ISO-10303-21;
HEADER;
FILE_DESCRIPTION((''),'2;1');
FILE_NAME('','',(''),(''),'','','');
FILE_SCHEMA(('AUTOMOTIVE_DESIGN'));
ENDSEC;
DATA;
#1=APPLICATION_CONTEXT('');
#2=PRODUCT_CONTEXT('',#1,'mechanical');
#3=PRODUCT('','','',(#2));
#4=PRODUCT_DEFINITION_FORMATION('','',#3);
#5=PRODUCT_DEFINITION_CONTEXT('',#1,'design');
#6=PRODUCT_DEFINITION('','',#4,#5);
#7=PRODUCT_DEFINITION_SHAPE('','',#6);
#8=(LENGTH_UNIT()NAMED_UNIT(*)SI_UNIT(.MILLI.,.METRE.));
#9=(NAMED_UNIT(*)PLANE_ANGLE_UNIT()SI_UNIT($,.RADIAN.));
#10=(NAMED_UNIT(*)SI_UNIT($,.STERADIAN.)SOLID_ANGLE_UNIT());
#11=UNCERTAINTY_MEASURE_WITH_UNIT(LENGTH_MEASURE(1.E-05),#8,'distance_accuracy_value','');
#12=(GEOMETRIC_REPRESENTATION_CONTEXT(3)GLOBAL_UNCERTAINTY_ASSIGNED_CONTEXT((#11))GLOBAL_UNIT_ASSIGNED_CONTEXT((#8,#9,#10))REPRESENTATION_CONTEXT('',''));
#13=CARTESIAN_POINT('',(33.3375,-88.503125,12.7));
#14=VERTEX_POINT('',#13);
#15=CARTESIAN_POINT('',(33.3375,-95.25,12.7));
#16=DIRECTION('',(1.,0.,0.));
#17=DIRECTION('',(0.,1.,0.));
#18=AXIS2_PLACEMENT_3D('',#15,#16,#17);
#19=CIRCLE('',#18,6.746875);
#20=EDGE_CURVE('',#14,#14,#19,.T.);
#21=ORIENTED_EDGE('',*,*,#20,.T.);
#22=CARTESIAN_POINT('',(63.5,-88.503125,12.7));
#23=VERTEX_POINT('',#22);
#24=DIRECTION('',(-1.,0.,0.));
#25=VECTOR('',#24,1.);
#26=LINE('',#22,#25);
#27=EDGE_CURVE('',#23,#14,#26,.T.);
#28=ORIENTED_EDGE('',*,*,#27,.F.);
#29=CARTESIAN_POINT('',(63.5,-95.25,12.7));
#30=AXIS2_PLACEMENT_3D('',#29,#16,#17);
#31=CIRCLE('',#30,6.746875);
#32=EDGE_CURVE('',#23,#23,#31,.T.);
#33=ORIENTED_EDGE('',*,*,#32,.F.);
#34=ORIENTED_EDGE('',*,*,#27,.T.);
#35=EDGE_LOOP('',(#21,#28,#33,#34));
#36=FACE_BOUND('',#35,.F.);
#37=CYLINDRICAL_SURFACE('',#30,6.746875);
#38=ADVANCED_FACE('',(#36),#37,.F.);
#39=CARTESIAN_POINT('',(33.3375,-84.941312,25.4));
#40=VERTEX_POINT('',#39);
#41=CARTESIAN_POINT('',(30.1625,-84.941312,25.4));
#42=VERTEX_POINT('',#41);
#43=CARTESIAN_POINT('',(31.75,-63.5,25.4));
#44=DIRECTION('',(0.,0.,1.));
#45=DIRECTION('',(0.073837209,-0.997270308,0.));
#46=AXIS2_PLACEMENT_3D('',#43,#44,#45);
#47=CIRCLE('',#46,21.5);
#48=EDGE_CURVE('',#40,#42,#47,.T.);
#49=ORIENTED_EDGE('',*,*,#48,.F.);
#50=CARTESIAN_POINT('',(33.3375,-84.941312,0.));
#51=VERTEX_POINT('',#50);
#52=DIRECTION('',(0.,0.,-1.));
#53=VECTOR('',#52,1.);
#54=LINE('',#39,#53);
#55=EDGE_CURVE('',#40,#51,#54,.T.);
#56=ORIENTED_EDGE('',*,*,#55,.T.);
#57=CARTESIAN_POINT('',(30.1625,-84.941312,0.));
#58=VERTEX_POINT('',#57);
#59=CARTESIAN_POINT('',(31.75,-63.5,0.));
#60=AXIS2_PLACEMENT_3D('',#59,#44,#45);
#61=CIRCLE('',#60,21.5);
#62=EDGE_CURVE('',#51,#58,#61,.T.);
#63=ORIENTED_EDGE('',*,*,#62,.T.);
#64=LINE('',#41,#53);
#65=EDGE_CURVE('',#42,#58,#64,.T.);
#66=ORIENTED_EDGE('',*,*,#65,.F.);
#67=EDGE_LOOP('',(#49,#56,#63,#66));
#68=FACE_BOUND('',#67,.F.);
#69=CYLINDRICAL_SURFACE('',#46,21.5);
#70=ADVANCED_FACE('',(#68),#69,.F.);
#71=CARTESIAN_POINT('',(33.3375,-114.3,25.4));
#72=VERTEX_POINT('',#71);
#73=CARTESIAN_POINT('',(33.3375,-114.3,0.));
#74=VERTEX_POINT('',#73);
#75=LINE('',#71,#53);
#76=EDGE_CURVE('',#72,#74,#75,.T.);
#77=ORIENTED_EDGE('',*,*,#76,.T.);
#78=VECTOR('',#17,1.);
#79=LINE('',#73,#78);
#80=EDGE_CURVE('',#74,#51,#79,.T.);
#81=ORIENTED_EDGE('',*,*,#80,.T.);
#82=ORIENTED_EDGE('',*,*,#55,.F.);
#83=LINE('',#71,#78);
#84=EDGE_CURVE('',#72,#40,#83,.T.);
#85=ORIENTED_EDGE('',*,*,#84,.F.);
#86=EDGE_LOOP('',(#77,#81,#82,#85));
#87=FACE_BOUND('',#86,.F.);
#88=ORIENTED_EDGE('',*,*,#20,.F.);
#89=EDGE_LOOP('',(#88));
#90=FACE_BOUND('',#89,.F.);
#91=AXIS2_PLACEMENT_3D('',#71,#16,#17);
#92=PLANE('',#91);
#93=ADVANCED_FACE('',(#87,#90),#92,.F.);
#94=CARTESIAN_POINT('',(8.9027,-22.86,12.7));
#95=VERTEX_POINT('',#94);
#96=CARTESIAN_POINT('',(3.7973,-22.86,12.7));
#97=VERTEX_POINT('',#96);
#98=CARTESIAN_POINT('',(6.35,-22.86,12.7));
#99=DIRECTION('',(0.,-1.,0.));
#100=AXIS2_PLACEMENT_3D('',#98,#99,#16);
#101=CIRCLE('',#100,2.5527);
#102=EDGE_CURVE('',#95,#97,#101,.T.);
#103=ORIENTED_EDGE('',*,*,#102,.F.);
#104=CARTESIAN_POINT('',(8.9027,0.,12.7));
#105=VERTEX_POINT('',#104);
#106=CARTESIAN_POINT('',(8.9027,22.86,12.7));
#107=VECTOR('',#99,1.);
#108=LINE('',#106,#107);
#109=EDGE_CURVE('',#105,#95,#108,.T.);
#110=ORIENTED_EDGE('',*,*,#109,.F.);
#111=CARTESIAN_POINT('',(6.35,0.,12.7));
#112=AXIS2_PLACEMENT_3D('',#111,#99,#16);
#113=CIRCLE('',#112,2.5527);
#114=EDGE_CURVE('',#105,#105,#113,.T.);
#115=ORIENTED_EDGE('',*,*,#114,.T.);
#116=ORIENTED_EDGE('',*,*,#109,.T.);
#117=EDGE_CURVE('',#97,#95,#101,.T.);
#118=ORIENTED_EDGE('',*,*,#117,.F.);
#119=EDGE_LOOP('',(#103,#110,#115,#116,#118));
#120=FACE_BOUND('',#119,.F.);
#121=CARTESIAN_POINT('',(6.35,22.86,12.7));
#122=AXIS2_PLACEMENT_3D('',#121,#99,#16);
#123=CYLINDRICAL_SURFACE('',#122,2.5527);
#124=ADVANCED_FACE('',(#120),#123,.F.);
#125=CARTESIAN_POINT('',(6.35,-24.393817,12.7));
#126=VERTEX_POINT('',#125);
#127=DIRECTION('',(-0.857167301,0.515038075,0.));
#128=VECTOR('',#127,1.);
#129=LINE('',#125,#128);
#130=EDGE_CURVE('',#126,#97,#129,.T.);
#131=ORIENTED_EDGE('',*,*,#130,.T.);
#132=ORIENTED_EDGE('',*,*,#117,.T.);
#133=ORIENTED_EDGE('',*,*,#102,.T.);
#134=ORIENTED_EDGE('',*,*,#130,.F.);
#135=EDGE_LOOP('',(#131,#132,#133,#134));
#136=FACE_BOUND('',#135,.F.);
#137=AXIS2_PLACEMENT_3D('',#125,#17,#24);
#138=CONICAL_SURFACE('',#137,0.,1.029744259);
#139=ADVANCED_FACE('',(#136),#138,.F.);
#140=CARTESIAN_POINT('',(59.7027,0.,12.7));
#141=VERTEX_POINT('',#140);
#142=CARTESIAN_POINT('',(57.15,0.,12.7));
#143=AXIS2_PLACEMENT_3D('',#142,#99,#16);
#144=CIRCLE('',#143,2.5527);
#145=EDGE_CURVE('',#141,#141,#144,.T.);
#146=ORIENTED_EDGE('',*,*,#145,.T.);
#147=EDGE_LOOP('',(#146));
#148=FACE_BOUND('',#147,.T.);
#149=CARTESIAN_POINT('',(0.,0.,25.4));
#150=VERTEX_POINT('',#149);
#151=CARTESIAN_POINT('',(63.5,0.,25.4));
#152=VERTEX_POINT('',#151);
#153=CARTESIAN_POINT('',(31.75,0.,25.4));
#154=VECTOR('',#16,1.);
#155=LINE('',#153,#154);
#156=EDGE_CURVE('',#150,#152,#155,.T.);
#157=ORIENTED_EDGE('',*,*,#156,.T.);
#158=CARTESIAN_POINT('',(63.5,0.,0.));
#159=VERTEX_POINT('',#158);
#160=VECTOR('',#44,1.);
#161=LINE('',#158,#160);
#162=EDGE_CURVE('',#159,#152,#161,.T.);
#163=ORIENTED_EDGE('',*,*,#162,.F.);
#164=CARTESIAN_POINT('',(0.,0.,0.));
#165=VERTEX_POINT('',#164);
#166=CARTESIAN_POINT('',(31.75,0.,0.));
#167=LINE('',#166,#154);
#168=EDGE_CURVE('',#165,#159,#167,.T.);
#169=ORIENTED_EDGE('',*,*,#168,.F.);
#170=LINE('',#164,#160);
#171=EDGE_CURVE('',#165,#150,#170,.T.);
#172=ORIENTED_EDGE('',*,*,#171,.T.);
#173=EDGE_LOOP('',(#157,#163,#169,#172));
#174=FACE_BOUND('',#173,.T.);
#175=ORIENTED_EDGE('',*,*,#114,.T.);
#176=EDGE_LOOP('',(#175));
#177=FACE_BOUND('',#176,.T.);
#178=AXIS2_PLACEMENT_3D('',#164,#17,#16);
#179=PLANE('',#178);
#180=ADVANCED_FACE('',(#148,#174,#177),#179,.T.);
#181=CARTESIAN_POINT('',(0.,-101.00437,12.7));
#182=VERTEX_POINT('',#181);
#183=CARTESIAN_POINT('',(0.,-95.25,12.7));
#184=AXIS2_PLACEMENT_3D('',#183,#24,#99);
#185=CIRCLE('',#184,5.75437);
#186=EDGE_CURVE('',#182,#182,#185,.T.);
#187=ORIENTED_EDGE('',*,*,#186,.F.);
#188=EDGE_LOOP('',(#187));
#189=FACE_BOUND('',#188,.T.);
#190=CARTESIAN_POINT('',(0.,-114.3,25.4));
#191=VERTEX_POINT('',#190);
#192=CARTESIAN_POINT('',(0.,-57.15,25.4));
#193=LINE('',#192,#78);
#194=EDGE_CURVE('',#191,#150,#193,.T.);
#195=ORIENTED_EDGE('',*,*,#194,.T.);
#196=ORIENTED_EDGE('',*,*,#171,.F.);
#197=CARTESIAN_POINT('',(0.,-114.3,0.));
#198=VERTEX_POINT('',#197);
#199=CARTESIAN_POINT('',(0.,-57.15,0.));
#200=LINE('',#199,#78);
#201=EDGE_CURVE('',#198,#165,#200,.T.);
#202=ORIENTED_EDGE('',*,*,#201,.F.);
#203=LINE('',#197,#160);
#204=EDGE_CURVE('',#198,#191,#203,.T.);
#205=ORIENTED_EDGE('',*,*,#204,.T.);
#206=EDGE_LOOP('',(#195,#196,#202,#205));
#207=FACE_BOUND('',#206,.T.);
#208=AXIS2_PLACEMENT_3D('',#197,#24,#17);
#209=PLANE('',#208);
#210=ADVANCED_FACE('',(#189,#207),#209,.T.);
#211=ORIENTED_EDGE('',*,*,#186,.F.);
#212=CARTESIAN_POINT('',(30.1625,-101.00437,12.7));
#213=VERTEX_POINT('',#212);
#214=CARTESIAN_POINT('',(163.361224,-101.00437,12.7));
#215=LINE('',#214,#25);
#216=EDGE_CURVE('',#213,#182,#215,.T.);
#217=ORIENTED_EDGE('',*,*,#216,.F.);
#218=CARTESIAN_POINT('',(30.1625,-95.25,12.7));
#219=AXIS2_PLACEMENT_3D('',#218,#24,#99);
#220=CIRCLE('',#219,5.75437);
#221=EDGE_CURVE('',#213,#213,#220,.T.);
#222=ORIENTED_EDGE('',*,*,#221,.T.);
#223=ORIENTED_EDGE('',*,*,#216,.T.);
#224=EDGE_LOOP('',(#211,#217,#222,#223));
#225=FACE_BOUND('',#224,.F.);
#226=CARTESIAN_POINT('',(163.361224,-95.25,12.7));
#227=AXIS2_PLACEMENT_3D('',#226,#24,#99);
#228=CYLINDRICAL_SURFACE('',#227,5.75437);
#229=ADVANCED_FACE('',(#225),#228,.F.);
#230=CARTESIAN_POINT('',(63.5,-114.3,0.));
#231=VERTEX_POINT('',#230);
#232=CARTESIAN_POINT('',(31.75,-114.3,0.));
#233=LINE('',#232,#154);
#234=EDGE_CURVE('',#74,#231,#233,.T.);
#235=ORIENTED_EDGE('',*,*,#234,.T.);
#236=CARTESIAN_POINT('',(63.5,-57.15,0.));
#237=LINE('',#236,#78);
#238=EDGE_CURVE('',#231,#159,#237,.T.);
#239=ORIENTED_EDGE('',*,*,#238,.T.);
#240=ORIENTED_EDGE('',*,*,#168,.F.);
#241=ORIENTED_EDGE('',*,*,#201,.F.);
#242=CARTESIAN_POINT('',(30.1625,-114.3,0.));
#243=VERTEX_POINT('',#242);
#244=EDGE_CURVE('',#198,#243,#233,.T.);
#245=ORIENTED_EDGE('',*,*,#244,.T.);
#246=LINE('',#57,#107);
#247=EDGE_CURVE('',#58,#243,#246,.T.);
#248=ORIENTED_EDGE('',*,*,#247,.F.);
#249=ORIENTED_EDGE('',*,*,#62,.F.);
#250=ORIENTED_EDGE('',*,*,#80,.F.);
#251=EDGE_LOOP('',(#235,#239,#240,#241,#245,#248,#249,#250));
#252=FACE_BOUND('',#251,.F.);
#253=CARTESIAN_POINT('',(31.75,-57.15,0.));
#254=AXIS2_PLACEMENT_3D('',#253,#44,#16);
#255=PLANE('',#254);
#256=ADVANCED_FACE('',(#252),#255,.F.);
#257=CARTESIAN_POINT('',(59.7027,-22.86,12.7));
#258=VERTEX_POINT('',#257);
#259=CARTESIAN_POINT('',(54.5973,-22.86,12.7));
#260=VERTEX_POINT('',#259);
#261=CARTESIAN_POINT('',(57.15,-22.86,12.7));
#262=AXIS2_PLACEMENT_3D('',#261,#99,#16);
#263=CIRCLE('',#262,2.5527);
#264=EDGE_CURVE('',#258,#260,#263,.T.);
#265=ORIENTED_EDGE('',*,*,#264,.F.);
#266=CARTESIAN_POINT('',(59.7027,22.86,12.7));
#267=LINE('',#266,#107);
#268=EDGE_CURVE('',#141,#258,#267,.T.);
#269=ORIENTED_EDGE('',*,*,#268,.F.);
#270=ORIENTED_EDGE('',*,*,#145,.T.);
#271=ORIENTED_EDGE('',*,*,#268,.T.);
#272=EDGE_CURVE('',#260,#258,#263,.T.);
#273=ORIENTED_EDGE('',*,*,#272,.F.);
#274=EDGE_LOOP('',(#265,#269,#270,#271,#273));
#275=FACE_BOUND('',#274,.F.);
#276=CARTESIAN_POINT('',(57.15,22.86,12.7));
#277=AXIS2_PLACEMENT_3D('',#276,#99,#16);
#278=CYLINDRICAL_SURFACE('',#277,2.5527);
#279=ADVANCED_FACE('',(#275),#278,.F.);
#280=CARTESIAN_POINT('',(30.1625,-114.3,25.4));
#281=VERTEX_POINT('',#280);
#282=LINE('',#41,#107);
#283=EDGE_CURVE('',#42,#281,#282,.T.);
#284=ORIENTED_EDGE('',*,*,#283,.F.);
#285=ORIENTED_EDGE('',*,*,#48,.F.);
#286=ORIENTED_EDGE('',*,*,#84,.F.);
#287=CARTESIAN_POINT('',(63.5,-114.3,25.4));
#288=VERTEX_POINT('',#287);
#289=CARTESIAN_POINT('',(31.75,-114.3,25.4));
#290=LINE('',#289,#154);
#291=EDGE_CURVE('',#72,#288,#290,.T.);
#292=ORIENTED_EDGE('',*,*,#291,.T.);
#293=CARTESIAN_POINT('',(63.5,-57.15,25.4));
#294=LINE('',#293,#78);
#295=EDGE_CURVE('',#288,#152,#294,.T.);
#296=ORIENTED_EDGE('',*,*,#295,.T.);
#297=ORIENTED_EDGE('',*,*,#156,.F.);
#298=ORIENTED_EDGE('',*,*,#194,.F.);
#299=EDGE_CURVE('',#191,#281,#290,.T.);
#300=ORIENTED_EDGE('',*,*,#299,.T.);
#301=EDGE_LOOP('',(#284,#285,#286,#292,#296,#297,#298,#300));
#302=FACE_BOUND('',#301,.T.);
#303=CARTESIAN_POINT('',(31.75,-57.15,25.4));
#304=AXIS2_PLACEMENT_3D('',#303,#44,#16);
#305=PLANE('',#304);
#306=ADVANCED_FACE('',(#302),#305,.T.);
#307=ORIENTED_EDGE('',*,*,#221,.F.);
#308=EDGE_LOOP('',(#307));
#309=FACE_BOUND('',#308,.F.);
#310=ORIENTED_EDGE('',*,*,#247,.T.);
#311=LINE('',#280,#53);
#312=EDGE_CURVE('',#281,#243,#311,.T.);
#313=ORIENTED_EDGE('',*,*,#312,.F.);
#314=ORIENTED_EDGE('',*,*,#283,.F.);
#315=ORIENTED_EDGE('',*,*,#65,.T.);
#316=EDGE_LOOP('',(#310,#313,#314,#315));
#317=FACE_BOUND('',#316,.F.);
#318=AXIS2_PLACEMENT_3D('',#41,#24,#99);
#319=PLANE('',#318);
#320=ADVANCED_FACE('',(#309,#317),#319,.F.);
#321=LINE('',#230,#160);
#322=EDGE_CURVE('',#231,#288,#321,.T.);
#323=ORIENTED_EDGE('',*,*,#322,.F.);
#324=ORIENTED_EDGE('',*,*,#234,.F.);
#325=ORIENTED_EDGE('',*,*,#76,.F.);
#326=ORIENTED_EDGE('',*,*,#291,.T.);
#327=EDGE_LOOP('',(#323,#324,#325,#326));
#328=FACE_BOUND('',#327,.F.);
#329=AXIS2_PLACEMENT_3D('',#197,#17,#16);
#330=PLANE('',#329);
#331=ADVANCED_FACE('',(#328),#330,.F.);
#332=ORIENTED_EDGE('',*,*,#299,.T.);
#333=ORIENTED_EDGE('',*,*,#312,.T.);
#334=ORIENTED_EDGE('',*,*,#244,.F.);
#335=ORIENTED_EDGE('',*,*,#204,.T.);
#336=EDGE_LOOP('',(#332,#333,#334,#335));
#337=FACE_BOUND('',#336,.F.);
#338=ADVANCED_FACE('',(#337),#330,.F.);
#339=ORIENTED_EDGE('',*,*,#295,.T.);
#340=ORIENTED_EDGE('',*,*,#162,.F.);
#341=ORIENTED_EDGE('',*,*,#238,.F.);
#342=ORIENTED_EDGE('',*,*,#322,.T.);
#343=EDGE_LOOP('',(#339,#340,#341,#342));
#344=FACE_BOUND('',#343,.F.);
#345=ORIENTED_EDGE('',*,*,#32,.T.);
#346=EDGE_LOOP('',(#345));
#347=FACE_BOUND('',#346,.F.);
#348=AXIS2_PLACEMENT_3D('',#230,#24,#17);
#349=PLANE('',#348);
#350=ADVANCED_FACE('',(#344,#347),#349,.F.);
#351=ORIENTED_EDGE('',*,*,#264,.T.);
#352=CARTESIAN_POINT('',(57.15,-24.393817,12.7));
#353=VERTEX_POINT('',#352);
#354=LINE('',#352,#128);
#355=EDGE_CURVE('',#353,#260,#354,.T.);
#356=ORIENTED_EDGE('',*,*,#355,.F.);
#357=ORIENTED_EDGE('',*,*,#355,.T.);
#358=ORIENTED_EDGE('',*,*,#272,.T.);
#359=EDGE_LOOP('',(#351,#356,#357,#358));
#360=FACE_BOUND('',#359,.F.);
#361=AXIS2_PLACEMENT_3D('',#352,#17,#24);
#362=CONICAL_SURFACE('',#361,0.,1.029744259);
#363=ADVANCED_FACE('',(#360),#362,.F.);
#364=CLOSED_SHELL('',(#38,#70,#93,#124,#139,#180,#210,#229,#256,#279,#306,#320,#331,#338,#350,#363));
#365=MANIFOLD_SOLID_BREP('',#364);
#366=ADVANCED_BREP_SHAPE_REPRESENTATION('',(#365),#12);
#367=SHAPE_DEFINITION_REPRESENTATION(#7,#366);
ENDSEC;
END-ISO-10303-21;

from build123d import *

# Parameters (mm, degrees)
F0_W     = 63.5
F0_H     = 114.3
F1_DEPTH = 25.4
F3_D     = 5.1054
F3_DEPTH = 22.86
F3_TIP   = 1.5338169022
F5_DEPTH = 25.4
F6_R     = 6.746875
F7_DEPTH = 30.1625
F9_D     = 11.50874


with BuildPart() as f1:
    # F0 (on Top) → F1 (new body)
    with BuildSketch(Plane.XY):
        with Locations((31.75, -57.15)):
            Rectangle(F0_W, F0_H)
    extrude(amount=F1_DEPTH)

    # F3
    with Locations(Plane(origin=(0, 0, 0), x_dir=(-1, 0, 0), z_dir=(0, 1, 0))):
        with Locations((-57.15, 12.7), (-6.35, 12.7)):
            Hole(F3_D / 2, depth=F3_DEPTH)
            with Locations((0, 0, -(F3_DEPTH + F3_TIP / 2))):  # 118° drill point
                Cone(0, F3_D / 2, F3_TIP, mode=Mode.SUBTRACT)

    # F4 (on face) → F5 (cut, through all)
    with BuildSketch(Plane.XY.offset(25.4)):
        with BuildLine():
            Line((33.3375, -114.3), (33.3375, -84.9413116145))
            ThreePointArc((33.3375, -84.9413116145), (31.75, -42), (30.1625, -84.9413116145))
            Line((30.1625, -84.9413116145), (30.1625, -114.3))
            Line((30.1625, -114.3), (33.3375, -114.3))
        make_face()
    extrude(amount=-F5_DEPTH, mode=Mode.SUBTRACT)

    # F6 (on face) → F7 (cut, through all)
    with BuildSketch(Plane.YZ.offset(63.5)):
        with Locations((-95.25, 12.7)):
            Circle(F6_R)
    extrude(amount=-F7_DEPTH, mode=Mode.SUBTRACT)

    # F9 (through all)
    with Locations(Plane.YZ.offset(30.1625)):
        with Locations((-95.25, 12.7)):
            Hole(F9_D / 2)


solid = f1.part
